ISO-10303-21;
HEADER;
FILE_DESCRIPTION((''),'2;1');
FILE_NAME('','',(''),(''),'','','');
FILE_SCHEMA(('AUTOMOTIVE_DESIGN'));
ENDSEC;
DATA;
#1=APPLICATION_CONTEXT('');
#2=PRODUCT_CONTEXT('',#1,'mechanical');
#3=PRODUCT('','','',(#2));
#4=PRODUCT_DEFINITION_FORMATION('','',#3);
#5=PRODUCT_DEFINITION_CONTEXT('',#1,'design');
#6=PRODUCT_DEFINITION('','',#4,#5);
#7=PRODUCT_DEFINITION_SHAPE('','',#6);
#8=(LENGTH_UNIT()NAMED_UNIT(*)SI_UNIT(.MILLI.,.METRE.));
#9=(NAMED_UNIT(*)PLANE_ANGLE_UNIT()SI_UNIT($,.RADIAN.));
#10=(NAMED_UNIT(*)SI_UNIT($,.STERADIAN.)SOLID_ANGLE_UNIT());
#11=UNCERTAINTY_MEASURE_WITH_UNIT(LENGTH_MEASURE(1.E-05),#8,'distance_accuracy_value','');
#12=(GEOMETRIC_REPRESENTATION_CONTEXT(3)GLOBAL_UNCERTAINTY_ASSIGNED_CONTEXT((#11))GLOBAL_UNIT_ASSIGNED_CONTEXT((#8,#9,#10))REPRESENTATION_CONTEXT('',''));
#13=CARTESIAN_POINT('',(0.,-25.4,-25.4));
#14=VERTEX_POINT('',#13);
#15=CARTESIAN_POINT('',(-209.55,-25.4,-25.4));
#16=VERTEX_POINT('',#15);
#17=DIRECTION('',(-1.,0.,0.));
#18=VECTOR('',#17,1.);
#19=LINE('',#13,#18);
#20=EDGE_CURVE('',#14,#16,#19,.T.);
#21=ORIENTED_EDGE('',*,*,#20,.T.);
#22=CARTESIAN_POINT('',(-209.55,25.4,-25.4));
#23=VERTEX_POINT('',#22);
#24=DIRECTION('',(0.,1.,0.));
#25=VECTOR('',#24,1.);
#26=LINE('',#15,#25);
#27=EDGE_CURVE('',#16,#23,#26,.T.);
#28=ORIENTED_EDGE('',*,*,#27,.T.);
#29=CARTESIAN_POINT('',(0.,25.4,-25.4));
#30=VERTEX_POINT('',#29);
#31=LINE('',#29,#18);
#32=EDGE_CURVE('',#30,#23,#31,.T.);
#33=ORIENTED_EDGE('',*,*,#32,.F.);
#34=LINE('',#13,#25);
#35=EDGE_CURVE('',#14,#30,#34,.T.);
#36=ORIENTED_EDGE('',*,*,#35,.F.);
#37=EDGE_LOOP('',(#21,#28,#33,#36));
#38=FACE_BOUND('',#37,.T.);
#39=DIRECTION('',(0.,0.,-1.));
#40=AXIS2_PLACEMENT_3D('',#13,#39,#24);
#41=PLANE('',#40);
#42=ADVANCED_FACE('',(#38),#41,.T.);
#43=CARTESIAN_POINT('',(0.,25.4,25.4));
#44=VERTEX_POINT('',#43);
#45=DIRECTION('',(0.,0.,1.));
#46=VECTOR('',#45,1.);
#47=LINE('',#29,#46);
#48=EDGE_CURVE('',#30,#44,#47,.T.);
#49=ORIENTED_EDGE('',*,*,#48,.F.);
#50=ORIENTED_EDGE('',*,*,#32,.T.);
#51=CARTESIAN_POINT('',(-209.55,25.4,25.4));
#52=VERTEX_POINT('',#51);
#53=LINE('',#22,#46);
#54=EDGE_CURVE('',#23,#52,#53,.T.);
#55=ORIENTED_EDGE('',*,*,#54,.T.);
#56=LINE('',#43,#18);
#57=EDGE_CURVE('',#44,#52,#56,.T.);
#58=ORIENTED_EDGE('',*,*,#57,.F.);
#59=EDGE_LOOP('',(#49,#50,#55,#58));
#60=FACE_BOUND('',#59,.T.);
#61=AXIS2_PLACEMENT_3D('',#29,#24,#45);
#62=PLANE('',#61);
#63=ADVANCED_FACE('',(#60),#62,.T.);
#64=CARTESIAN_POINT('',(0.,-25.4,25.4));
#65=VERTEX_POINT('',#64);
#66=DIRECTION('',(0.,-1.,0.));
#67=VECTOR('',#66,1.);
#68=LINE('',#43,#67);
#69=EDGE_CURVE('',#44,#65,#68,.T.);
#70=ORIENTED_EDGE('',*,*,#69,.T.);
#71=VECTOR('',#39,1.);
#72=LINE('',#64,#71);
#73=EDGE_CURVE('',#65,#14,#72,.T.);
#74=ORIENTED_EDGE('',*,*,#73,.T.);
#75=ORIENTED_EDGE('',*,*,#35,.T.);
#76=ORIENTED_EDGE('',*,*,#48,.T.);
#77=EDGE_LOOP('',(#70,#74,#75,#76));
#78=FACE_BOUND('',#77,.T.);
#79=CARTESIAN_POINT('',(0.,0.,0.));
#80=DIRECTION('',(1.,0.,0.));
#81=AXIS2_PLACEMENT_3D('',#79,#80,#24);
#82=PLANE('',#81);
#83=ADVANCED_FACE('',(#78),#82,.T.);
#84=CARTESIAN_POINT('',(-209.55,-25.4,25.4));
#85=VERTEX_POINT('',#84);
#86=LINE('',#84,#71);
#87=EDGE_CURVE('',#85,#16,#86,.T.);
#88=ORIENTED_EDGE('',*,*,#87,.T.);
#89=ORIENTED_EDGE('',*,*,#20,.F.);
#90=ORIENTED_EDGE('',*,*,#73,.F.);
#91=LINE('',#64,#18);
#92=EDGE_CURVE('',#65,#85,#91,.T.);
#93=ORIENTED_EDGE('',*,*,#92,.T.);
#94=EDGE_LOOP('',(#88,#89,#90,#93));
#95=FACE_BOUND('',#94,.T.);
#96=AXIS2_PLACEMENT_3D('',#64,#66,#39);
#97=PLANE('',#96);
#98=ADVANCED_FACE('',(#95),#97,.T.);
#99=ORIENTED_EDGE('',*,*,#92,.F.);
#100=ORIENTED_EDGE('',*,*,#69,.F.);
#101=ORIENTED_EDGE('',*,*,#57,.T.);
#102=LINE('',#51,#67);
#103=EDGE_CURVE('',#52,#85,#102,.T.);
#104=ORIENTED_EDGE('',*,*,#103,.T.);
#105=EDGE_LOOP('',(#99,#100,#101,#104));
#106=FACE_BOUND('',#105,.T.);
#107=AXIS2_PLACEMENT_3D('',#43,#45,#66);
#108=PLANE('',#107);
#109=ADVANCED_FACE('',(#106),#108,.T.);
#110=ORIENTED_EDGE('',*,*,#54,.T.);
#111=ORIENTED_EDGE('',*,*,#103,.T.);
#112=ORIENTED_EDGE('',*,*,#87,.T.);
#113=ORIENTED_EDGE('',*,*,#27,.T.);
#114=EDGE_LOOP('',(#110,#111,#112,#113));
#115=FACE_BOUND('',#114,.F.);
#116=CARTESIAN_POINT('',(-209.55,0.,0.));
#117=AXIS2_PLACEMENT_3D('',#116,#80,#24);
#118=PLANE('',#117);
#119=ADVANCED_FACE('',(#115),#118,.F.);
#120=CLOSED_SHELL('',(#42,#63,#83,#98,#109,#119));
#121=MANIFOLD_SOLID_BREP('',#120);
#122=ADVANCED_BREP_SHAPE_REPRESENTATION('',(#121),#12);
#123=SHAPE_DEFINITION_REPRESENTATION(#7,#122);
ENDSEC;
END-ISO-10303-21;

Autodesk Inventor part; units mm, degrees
ref_plane "YZ Plane" through (0, 0, 0) normal (1, 0, 0) x (0, 1, 0)
ref_plane "XZ Plane" through (0, 0, 0) normal (0, 1, 0) x (-1, 0, 0)
ref_plane "XY Plane" through (0, 0, 0) normal (0, 0, 1) x (1, 0, 0)
sketch "Sketch1" plane through (0, 0, 0) normal (1, 0, 0) x (0, 1, 0)
  line L0 (25.4, 25.4) -> (-25.4, 25.4)
  line L1 (-25.4, 25.4) -> (-25.4, -25.4)
  line L2 (-25.4, -25.4) -> (25.4, -25.4)
  line L3 (25.4, -25.4) -> (25.4, 25.4)
  line L4 (25.4, 25.4) -> (-25.4, -25.4) construction
  line L5 (-25.4, 25.4) -> (25.4, -25.4) construction
  point P0 (0, 0)
  dimension "d0" = 50.8
  dimension "d1" = 50.8
extrude "Extrusion1" add sketch "Sketch1" against normal blind 209.55
properties part number "Rung Support"
